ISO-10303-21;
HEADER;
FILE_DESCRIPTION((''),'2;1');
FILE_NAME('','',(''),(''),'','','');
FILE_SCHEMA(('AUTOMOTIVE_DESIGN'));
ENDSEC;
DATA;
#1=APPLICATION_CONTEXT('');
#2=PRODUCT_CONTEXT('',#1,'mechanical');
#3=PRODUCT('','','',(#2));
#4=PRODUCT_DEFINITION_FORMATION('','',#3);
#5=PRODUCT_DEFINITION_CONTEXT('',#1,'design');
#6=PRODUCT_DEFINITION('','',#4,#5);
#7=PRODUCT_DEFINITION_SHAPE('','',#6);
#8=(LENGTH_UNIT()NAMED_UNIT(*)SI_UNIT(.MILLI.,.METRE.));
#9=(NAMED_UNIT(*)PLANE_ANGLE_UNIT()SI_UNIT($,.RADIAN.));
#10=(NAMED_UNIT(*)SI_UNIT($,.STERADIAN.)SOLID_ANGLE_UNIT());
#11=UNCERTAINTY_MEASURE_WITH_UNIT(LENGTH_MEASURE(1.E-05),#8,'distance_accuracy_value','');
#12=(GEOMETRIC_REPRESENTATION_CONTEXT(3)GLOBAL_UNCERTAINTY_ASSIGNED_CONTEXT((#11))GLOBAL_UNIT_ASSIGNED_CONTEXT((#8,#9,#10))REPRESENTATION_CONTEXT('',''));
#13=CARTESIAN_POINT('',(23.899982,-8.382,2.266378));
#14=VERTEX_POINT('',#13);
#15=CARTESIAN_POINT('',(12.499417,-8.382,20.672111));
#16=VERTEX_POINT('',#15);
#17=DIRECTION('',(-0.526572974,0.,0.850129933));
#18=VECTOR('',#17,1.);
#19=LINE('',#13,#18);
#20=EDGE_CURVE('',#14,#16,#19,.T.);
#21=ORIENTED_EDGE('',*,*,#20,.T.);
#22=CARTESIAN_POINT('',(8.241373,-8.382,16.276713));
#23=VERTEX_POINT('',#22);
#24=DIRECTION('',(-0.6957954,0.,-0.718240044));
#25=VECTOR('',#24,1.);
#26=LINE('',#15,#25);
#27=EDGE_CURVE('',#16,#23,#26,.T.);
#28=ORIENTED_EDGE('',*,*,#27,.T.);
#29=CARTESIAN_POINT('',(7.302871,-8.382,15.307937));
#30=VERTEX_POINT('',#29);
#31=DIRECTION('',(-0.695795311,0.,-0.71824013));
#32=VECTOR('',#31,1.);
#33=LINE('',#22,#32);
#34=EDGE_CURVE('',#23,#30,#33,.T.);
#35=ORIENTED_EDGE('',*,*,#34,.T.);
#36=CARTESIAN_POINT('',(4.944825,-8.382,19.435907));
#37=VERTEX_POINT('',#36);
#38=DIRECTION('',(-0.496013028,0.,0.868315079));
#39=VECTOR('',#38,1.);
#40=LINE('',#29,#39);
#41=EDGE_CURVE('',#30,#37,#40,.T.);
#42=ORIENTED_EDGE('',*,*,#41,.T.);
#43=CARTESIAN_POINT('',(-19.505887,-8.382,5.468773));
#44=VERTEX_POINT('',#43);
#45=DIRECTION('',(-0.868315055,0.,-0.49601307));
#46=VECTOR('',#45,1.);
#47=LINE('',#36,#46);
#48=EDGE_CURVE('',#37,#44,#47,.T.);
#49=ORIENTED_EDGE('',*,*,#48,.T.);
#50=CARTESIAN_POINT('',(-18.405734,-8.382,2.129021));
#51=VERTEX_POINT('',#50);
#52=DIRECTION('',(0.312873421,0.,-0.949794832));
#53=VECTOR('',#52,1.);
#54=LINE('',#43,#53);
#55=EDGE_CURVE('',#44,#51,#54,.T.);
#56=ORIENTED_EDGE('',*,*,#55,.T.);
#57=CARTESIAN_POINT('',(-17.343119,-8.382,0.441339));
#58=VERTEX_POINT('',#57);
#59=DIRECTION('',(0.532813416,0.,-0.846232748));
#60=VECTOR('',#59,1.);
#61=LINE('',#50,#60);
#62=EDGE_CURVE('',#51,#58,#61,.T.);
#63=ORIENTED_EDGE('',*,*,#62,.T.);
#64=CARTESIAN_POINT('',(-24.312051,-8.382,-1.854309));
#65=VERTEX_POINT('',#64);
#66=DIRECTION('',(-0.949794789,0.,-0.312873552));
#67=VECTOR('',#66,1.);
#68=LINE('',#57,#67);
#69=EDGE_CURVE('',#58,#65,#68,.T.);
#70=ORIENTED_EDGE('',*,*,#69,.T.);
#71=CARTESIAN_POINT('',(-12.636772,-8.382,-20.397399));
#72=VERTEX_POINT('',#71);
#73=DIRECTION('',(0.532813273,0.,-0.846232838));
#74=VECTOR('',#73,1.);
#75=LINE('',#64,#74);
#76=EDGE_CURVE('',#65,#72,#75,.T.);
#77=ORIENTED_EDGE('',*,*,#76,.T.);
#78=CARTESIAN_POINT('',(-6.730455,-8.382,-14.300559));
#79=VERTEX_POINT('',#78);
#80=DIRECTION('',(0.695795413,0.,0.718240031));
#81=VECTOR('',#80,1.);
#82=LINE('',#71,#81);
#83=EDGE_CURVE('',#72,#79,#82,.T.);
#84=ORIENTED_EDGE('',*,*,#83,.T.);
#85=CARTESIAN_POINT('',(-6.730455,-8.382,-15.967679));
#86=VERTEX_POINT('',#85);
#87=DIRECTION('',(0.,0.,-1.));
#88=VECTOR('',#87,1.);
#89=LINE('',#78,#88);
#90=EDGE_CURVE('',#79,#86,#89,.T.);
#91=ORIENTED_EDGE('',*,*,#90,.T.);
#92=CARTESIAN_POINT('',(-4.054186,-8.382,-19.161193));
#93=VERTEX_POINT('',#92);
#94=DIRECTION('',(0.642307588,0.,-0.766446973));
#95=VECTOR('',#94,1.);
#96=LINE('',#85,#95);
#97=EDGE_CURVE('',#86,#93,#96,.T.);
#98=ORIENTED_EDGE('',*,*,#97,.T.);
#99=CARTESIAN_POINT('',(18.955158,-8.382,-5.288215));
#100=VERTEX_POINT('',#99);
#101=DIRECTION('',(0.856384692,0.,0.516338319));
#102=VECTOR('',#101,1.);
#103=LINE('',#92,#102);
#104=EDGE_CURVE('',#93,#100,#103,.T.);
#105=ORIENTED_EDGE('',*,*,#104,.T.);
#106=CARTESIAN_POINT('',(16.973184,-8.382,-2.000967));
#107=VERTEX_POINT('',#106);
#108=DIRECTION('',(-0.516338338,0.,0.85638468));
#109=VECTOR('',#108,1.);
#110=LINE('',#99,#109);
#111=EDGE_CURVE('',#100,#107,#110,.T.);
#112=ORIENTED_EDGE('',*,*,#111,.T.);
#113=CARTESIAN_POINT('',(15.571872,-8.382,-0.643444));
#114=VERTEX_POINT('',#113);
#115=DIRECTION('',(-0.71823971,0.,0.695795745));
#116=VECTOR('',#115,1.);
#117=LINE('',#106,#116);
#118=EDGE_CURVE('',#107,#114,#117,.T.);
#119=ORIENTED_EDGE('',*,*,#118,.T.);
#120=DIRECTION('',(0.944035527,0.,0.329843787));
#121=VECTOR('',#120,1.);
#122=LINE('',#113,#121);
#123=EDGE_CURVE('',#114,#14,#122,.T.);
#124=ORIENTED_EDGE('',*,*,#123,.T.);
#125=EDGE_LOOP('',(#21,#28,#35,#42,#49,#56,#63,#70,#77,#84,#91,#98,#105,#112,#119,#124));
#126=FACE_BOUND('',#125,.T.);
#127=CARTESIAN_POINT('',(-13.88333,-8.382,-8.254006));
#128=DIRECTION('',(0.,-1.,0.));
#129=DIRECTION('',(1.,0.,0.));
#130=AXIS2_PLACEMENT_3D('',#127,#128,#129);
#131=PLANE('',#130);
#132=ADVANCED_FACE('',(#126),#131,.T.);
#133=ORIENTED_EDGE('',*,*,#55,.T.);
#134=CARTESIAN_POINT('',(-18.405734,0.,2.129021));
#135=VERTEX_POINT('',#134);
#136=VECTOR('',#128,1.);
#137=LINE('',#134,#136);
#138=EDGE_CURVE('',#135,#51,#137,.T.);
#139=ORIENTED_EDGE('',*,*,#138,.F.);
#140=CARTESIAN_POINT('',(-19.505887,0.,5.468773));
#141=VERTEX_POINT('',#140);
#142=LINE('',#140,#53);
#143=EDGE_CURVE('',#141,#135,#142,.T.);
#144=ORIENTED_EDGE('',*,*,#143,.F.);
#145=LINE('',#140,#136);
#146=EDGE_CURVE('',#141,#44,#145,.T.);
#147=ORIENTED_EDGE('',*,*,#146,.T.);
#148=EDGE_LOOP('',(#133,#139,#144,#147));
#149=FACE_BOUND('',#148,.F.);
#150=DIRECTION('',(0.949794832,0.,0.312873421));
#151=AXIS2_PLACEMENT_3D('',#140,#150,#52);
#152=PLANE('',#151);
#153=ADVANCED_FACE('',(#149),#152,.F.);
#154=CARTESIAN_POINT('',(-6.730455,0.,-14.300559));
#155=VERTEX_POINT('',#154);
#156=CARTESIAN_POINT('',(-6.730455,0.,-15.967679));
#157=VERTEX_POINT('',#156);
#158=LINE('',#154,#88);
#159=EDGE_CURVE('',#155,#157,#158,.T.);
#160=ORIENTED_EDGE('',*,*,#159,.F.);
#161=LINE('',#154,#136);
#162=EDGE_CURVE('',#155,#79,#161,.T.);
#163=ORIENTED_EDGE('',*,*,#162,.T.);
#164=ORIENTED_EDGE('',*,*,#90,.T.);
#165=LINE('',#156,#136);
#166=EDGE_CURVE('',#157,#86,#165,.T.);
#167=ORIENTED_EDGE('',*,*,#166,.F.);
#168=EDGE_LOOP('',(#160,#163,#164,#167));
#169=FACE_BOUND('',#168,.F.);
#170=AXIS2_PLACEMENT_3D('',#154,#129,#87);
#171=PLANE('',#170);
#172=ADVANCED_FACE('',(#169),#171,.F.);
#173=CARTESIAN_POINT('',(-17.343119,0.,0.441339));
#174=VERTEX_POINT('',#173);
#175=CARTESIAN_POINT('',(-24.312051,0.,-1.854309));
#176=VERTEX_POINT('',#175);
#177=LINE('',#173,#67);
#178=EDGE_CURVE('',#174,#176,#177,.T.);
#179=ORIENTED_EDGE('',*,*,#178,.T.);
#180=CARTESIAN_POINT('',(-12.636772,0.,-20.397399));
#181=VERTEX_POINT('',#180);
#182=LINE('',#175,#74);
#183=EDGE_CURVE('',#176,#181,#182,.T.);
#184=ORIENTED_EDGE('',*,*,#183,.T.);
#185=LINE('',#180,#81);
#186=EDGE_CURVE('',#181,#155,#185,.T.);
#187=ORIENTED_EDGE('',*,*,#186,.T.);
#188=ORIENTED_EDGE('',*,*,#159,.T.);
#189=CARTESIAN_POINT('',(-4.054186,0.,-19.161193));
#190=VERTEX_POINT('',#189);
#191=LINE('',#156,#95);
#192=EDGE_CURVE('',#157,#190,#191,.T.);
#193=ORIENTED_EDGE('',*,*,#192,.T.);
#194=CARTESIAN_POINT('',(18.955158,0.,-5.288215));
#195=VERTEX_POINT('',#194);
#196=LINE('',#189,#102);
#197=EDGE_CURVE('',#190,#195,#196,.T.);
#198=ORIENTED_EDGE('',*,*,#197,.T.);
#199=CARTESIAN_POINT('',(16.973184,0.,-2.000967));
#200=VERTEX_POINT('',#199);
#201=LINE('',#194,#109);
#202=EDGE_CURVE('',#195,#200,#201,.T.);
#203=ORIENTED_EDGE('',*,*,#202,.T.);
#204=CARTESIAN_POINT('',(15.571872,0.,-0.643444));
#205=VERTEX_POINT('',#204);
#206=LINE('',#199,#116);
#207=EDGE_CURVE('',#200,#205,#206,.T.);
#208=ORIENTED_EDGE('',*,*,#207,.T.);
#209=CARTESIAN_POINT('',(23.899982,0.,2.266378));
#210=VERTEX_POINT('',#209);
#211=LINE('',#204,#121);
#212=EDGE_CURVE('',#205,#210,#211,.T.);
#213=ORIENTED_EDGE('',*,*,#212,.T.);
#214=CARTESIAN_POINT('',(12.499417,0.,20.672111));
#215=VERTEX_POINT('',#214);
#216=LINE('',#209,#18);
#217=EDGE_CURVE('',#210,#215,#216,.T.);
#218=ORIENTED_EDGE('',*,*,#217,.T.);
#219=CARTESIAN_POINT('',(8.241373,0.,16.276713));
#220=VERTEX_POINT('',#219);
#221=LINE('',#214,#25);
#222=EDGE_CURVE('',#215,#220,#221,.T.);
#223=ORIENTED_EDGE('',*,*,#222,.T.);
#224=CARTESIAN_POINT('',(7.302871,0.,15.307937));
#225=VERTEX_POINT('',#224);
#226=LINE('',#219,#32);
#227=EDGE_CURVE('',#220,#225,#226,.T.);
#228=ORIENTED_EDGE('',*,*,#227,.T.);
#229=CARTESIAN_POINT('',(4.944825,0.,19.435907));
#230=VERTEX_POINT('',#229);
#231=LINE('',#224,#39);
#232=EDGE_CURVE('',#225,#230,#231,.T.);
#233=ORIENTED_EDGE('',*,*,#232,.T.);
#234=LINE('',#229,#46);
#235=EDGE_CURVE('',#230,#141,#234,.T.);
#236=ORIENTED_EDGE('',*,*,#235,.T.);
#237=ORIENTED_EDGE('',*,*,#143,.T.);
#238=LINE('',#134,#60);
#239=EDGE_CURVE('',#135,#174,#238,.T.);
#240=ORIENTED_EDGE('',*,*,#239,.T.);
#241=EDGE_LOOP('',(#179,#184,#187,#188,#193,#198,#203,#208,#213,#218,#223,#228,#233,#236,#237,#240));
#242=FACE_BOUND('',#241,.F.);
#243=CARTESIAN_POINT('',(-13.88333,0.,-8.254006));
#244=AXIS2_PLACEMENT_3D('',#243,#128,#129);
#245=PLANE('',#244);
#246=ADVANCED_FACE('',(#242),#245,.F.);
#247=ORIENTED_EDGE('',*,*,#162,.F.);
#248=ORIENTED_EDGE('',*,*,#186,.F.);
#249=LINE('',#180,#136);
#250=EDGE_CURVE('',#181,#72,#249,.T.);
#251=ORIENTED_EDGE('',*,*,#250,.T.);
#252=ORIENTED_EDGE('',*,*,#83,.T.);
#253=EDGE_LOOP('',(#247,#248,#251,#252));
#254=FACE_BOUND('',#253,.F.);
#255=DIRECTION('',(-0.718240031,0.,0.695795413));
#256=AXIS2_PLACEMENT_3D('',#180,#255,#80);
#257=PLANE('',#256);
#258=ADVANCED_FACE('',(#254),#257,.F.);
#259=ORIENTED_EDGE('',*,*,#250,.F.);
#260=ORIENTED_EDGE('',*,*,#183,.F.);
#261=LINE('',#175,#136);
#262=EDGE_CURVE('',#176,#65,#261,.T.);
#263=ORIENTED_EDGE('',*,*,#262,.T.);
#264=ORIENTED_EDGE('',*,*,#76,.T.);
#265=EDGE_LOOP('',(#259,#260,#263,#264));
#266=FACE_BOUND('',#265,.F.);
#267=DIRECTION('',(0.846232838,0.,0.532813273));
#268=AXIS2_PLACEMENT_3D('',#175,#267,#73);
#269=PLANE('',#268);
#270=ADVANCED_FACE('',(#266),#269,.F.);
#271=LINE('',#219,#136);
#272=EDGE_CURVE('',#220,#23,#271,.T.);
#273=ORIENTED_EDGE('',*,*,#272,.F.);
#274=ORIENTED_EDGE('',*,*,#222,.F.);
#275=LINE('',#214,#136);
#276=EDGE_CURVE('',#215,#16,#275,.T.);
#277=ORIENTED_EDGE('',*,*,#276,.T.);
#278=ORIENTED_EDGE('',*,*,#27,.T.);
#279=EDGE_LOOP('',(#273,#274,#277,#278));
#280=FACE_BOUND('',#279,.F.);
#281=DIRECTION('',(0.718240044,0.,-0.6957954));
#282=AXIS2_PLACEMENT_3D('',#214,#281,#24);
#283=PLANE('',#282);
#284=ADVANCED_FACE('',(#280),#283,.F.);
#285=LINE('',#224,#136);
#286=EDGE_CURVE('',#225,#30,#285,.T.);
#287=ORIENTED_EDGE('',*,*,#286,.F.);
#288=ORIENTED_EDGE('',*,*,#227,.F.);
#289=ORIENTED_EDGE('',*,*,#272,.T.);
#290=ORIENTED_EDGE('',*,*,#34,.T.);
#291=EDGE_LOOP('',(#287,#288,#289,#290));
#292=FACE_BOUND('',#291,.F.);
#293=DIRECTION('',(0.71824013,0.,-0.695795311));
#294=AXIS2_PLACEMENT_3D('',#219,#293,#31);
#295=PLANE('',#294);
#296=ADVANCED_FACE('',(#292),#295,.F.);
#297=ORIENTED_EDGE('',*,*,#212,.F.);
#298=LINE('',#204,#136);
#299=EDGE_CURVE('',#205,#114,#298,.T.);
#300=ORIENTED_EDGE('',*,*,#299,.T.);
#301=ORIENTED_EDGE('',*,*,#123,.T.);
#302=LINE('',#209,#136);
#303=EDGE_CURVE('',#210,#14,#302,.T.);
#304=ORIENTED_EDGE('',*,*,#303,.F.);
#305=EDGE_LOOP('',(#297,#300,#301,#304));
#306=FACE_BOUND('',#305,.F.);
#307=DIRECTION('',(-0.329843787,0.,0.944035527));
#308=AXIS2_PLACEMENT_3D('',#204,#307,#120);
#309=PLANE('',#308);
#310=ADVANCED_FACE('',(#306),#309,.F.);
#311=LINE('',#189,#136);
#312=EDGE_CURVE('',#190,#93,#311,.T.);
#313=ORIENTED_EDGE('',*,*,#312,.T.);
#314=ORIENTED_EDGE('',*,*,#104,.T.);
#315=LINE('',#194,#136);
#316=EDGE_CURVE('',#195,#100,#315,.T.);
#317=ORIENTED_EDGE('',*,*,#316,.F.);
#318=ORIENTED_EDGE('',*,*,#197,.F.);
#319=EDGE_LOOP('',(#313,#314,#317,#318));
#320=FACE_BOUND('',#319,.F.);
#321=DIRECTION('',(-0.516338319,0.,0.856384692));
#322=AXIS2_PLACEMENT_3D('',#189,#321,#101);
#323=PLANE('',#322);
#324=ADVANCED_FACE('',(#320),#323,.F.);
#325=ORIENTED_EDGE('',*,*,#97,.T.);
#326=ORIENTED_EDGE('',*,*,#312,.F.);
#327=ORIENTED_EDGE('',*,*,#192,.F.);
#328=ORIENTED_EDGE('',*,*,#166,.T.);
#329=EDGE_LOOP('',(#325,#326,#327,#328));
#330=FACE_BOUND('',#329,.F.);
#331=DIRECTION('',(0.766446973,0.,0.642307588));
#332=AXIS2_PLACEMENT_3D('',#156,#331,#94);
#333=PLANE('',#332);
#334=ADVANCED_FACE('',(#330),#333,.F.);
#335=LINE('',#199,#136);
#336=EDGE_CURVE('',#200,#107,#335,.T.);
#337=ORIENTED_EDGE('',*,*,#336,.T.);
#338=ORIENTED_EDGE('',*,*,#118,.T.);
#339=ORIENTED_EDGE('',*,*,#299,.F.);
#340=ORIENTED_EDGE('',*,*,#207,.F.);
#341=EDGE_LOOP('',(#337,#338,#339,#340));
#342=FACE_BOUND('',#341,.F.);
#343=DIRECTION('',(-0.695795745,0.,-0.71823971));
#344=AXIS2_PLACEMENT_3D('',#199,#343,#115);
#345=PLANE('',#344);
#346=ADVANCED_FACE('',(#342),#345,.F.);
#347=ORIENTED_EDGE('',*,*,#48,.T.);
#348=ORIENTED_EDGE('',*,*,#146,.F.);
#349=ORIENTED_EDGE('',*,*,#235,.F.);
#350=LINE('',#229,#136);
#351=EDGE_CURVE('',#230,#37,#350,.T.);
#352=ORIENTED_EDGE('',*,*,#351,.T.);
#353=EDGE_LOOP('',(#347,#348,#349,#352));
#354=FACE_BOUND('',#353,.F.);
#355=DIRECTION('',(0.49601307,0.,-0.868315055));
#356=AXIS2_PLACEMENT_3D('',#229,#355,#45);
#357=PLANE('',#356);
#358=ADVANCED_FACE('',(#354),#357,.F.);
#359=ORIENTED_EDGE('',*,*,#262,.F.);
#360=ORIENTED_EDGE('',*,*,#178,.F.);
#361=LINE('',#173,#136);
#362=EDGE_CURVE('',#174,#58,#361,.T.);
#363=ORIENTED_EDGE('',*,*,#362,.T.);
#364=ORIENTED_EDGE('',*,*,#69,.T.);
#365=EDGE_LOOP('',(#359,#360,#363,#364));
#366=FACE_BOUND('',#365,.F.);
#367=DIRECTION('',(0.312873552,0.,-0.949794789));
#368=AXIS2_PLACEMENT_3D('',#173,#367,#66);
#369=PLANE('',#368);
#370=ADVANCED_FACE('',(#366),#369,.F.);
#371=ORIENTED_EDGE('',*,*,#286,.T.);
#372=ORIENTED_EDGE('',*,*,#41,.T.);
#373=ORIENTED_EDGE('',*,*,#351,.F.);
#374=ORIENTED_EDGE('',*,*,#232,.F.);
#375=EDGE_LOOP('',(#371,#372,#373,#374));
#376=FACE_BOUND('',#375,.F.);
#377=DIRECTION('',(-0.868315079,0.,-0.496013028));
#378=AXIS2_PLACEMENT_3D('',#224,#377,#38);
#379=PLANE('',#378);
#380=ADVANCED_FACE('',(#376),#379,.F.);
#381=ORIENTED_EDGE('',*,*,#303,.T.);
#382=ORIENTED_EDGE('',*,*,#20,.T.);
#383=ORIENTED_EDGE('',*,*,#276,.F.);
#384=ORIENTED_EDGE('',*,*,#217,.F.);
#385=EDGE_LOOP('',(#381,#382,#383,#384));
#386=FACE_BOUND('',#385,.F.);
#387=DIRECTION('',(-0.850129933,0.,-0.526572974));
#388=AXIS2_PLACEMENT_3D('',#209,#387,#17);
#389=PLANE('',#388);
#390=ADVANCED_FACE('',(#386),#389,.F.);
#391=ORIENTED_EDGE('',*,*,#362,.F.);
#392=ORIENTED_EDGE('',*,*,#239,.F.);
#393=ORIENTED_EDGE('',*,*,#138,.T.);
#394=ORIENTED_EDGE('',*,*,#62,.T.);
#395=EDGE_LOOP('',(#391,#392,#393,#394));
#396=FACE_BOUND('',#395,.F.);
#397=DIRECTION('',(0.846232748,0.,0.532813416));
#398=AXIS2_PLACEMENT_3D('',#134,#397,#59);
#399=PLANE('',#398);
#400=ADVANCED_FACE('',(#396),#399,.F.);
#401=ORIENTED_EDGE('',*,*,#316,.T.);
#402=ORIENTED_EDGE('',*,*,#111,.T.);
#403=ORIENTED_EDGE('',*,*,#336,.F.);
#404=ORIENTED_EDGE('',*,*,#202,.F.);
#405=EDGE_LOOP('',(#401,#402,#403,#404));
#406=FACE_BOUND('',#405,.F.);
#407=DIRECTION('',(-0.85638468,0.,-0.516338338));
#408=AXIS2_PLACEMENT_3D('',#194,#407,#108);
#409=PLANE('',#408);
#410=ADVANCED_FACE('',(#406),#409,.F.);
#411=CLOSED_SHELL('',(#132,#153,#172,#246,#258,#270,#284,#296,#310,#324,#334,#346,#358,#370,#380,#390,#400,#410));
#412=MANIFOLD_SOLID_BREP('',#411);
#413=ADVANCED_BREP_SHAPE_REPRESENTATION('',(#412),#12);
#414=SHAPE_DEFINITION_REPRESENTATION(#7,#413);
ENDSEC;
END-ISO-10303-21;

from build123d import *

# Parameters (mm, degrees)
F1_DEPTH = 8.382


with BuildPart() as f1:
    # F0 (on Front) → F1 (new body)
    with BuildSketch(Plane.XZ):
        Polygon((-12.636772, 1.991665), (-17.343119, 0.441339), (-24.312051, -1.854309), (-12.636772, -20.397399), (-6.730455, -14.300559), (-4.054186, -11.53796), align=None)
        Polygon((4.395189, 12.306461), (7.302871, 15.307937), (4.944825, 19.435907), (-19.505887, 5.468773), (-18.405734, 2.129021), (-17.343119, 0.441339), (-12.636772, 1.991665), (-4.054186, -11.53796), (-6.730455, -14.300559), (-6.730455, -15.967679), (-4.054186, -19.161193), (18.955158, -5.288215), (16.973184, -2.000967), (15.571872, -0.643444), (12.499417, -1.716953), align=None)
        Polygon((12.499417, 20.672111), (8.241373, 16.276713), (7.302871, 15.307937), (4.395189, 12.306461), (12.499417, -1.716953), (15.571872, -0.643444), (23.899982, 2.266378), align=None)
    extrude(amount=F1_DEPTH)


solid = f1.part
